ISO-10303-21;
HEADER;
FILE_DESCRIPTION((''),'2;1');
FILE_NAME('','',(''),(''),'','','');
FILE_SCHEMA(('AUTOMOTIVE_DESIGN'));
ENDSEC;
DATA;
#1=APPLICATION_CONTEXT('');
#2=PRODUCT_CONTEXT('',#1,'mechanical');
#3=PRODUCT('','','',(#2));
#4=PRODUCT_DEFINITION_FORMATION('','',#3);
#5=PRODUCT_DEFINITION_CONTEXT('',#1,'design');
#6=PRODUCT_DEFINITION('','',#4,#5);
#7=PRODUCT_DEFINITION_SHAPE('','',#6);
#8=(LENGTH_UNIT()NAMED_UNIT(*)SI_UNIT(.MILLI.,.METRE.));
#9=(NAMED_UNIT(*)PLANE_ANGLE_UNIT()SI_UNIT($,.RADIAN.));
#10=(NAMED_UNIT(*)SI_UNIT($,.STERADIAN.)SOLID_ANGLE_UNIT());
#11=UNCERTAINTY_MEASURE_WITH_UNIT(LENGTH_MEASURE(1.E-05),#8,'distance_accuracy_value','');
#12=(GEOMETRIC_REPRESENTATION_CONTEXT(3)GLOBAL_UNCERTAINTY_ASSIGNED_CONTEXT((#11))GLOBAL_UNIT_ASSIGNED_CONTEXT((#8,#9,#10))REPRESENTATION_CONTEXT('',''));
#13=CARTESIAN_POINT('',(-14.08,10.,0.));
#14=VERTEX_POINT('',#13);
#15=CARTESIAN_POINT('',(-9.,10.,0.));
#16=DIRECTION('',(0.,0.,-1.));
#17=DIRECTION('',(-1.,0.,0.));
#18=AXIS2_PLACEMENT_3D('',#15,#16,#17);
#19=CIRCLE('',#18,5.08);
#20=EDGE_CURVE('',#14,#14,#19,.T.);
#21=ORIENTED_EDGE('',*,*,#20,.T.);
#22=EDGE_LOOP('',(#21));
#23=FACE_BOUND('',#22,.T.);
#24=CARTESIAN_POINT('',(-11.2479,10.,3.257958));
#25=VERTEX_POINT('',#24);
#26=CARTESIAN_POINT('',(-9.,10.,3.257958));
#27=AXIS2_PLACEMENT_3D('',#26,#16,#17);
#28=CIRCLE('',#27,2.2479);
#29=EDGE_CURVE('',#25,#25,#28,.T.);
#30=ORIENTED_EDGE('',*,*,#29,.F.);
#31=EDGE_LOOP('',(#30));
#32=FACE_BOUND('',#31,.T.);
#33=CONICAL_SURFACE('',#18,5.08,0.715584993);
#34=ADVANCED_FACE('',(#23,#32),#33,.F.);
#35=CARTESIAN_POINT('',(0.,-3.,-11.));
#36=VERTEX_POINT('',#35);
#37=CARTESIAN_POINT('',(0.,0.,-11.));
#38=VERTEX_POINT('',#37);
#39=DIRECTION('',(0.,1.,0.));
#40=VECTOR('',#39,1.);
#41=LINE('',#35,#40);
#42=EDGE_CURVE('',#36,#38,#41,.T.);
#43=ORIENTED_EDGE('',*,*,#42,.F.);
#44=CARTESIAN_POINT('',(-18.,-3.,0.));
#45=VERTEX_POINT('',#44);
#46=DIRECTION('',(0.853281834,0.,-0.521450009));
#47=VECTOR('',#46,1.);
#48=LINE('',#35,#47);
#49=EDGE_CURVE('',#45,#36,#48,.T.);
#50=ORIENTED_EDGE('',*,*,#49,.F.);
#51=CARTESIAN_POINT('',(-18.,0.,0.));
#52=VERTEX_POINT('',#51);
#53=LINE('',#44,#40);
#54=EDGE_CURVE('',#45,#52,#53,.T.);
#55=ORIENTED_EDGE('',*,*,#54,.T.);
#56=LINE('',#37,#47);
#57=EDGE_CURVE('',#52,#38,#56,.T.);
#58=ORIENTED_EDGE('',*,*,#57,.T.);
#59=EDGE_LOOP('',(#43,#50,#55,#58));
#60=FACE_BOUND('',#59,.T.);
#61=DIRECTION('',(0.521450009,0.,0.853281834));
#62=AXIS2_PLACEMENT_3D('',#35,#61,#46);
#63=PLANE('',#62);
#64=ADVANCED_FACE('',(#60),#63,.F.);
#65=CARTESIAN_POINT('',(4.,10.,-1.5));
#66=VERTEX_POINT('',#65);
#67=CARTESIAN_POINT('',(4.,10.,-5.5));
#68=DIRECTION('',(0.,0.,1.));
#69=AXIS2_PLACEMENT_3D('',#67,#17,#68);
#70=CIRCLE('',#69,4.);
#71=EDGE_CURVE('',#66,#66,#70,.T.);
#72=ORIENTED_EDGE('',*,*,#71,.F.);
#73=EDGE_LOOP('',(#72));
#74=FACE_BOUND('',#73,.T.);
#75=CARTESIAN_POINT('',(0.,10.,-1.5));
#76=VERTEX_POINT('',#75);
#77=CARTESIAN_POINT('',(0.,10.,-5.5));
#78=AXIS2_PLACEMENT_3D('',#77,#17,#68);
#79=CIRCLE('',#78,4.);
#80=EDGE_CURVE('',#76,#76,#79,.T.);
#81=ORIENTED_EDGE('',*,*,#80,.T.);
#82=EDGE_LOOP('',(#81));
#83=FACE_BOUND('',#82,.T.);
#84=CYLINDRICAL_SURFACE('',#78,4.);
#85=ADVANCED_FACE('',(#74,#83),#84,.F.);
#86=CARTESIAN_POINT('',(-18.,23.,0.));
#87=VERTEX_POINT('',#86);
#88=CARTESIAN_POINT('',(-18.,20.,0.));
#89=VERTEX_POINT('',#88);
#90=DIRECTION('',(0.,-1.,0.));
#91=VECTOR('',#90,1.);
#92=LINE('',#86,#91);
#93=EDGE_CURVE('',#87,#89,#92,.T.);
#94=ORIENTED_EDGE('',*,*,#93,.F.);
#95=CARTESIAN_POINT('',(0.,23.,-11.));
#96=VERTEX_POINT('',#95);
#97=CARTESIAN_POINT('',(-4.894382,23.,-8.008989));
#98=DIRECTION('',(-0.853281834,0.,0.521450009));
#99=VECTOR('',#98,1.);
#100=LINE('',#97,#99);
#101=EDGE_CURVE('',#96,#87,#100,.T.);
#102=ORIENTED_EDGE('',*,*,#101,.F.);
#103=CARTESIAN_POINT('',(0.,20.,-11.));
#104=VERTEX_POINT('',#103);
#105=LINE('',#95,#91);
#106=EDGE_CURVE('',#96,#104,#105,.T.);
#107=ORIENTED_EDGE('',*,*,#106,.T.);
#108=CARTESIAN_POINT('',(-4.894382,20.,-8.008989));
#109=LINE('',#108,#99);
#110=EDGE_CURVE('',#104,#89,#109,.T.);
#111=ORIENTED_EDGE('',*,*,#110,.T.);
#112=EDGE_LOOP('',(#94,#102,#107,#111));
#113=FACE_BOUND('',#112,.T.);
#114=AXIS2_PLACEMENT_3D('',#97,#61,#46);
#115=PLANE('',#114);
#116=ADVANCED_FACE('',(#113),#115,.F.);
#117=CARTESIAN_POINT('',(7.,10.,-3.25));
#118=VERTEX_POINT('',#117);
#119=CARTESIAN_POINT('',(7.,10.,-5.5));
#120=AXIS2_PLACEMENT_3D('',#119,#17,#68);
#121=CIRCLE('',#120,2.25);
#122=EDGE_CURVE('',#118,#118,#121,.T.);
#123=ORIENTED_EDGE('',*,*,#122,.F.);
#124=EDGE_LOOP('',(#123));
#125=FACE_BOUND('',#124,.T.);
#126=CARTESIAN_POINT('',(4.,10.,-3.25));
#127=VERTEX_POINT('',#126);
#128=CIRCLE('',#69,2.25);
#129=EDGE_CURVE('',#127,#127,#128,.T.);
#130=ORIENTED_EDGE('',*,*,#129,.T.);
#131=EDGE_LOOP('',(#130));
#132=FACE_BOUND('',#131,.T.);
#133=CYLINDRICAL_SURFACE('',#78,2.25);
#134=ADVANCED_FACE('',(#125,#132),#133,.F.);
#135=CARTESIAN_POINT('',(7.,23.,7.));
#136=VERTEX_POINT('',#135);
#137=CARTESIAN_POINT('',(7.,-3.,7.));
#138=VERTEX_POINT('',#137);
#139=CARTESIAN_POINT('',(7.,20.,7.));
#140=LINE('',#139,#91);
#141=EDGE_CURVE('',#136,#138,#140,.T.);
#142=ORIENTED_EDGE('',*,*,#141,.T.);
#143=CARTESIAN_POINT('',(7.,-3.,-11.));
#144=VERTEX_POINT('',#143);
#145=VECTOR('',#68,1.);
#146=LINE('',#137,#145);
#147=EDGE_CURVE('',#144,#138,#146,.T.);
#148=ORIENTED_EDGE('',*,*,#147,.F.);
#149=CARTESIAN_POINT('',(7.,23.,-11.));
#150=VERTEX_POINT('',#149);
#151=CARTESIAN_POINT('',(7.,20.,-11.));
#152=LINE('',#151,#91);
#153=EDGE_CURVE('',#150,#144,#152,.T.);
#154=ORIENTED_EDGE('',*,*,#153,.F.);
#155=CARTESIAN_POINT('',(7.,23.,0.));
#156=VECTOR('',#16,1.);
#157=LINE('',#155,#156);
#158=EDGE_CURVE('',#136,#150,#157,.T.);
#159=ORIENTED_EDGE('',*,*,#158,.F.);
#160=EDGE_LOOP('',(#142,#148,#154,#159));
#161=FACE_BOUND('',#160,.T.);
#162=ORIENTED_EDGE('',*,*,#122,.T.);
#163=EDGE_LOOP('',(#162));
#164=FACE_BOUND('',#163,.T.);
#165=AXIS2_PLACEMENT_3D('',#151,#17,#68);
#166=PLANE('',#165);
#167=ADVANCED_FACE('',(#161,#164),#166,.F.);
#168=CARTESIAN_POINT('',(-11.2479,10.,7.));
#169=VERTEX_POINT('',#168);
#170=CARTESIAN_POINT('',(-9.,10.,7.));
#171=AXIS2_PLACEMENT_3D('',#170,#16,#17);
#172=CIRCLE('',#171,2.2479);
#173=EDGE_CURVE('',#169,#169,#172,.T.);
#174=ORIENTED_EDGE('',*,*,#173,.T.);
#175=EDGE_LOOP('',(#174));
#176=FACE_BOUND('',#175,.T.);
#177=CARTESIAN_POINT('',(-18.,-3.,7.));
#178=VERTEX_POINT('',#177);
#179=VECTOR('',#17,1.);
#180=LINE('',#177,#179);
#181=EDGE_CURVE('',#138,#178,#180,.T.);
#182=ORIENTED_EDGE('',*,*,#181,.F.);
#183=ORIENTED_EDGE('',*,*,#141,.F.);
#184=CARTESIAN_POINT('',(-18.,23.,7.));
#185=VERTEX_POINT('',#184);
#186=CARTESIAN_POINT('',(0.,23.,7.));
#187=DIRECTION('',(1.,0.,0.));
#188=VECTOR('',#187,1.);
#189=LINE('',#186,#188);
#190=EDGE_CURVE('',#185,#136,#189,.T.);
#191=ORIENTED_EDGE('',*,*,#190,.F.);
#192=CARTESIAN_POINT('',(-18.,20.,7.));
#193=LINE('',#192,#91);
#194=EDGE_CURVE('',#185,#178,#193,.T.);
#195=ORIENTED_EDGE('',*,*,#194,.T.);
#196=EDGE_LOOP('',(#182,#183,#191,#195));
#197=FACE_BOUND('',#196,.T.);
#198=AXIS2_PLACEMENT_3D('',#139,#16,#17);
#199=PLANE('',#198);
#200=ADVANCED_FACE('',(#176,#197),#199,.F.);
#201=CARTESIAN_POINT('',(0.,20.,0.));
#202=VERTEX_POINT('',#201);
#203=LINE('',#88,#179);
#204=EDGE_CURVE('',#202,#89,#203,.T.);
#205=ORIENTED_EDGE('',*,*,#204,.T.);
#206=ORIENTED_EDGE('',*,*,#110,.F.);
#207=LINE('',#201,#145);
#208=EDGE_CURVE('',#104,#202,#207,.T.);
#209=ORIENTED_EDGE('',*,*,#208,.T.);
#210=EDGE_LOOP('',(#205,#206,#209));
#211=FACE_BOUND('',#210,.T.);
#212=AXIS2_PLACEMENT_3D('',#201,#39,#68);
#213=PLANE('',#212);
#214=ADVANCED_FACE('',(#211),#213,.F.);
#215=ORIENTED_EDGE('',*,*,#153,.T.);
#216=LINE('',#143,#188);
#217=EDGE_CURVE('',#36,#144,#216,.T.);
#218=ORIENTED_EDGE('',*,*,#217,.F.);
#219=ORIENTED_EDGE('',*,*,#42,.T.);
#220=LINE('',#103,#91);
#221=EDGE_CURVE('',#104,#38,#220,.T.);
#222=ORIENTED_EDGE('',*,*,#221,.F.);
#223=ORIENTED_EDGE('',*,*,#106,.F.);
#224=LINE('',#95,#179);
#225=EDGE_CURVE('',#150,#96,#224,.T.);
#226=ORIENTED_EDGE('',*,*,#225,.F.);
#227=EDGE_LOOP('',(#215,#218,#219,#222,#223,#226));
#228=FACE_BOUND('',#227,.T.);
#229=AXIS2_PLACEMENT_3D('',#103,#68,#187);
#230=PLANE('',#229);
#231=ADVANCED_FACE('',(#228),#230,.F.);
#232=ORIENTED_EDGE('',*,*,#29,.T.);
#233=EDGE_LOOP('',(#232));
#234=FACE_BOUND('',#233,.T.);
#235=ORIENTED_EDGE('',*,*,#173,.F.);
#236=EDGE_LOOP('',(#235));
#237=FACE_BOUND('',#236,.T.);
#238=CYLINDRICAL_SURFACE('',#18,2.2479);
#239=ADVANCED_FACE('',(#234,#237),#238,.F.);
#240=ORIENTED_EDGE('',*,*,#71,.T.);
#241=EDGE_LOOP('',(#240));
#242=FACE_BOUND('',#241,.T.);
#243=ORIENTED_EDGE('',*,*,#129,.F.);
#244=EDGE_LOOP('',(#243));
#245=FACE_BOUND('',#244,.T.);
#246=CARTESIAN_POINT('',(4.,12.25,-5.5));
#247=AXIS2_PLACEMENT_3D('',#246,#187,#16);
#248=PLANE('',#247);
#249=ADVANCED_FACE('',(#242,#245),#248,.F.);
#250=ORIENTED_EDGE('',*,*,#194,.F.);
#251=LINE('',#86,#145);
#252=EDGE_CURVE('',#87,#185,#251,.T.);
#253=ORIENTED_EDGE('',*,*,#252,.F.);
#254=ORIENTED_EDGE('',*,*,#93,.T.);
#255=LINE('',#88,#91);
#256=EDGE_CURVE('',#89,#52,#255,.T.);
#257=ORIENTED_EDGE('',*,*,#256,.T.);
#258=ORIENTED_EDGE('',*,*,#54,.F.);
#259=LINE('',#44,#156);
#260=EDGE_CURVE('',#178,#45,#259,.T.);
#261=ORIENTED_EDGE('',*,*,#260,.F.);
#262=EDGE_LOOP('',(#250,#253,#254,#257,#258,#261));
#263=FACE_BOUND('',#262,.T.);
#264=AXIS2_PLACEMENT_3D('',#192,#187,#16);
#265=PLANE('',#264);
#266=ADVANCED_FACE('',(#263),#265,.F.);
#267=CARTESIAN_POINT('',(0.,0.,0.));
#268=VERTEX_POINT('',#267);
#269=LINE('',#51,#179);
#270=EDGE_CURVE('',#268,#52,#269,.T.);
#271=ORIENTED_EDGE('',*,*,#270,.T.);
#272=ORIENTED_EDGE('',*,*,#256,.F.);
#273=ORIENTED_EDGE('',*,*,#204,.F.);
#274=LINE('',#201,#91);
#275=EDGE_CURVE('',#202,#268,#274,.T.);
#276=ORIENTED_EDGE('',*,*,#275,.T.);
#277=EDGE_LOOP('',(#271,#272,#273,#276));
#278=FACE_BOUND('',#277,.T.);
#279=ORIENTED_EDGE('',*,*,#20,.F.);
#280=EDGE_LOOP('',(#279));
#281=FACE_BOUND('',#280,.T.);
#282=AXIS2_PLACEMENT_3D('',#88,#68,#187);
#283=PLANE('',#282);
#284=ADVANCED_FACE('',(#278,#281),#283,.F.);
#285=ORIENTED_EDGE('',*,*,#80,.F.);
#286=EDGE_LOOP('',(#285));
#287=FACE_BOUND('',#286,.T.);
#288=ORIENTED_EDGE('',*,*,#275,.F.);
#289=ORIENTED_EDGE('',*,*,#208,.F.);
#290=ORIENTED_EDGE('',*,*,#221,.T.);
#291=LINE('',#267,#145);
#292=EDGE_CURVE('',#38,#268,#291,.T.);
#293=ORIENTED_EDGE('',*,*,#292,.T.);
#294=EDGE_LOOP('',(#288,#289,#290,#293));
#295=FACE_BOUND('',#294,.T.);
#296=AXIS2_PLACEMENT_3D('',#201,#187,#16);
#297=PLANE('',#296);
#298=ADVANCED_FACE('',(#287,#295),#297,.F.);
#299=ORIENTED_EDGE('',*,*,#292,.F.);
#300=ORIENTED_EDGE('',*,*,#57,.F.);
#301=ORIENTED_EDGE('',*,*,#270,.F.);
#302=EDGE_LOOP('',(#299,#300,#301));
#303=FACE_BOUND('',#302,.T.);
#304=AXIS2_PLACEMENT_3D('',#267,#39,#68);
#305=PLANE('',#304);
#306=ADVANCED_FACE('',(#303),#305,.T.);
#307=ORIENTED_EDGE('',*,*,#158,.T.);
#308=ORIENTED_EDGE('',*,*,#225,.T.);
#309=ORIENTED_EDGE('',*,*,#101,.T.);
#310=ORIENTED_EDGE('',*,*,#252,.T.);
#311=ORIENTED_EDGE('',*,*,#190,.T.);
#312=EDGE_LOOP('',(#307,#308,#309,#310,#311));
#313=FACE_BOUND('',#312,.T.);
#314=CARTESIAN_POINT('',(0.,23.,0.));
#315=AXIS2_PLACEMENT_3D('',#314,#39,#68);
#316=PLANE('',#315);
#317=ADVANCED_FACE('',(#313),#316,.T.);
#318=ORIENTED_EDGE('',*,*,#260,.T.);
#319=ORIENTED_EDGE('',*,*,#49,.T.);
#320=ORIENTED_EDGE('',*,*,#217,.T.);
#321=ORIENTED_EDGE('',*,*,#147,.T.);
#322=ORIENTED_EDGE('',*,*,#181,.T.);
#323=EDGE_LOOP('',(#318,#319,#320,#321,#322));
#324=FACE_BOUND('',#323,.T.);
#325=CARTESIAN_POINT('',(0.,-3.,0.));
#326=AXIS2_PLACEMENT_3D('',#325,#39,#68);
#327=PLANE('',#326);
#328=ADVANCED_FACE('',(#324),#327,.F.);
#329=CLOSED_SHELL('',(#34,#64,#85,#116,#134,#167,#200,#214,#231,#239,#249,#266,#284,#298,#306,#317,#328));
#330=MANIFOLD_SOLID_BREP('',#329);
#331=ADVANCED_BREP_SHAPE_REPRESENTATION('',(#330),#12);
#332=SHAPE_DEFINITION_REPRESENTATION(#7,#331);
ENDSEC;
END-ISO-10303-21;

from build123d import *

# Parameters (mm, degrees)
BOSS_EXTRUDE1_DEPTH                               = 20
CBORE_FOR_M4_SHCS1_D                              = 4.5
CBORE_FOR_M4_SHCS1_CBORE_D                        = 8
CBORE_FOR_M4_SHCS1_CBORE_DEPTH                    = 4
CSK_FOR_8_FLAT_HEAD_SOCKET_CAP_SCREW1_D           = 4.4958
CSK_FOR_8_FLAT_HEAD_SOCKET_CAP_SCREW1_CSINK_D     = 10.16
CSK_FOR_8_FLAT_HEAD_SOCKET_CAP_SCREW1_CSINK_ANGLE = 82
BOSS_EXTRUDE2_DEPTH                               = 3
BOSS_EXTRUDE3_START                               = -20
BOSS_EXTRUDE3_DEPTH                               = 3


with BuildPart() as part:
    # Sketch1 → Boss-Extrude1 (new body)
    with BuildSketch(Plane(origin=(0, 0, 0), x_dir=(1, 0, 0), z_dir=(0, 1, 0))):
        Polygon((0, 0), (0, 11), (7, 11), (7, -7), (-18, -7), (-18, 0), align=None)
    extrude(amount=BOSS_EXTRUDE1_DEPTH)

    # CBORE for M4 SHCS1 (through all)
    with Locations(Plane.ZY):
        with Locations((-5.5, 10)):
            CounterBoreHole(CBORE_FOR_M4_SHCS1_D / 2, CBORE_FOR_M4_SHCS1_CBORE_D / 2, CBORE_FOR_M4_SHCS1_CBORE_DEPTH)

    # CSK for #8 Flat Head Socket Cap Screw1 (through all)
    with Locations(Plane(origin=(0, 0, 0), x_dir=(-1, 0, 0), z_dir=(0, 0, -1))):
        with Locations((9, 10)):
            CounterSinkHole(CSK_FOR_8_FLAT_HEAD_SOCKET_CAP_SCREW1_D / 2, CSK_FOR_8_FLAT_HEAD_SOCKET_CAP_SCREW1_CSINK_D / 2, counter_sink_angle=CSK_FOR_8_FLAT_HEAD_SOCKET_CAP_SCREW1_CSINK_ANGLE)

    # Sketch6 → Boss-Extrude2 (add)
    with BuildSketch(Plane.XZ):
        Polygon((-18, 7), (7, 7), (7, -11), (0, -11), (-18, 0), align=None)
    extrude(amount=BOSS_EXTRUDE2_DEPTH)

    # Sketch6<2> → Boss-Extrude3 (add)
    with BuildSketch(Plane.XZ.offset(BOSS_EXTRUDE3_START)):
        Polygon((-18, 7), (7, 7), (7, -11), (0, -11), (-18, 0), align=None)
    extrude(amount=-BOSS_EXTRUDE3_DEPTH)


solid = part.part
